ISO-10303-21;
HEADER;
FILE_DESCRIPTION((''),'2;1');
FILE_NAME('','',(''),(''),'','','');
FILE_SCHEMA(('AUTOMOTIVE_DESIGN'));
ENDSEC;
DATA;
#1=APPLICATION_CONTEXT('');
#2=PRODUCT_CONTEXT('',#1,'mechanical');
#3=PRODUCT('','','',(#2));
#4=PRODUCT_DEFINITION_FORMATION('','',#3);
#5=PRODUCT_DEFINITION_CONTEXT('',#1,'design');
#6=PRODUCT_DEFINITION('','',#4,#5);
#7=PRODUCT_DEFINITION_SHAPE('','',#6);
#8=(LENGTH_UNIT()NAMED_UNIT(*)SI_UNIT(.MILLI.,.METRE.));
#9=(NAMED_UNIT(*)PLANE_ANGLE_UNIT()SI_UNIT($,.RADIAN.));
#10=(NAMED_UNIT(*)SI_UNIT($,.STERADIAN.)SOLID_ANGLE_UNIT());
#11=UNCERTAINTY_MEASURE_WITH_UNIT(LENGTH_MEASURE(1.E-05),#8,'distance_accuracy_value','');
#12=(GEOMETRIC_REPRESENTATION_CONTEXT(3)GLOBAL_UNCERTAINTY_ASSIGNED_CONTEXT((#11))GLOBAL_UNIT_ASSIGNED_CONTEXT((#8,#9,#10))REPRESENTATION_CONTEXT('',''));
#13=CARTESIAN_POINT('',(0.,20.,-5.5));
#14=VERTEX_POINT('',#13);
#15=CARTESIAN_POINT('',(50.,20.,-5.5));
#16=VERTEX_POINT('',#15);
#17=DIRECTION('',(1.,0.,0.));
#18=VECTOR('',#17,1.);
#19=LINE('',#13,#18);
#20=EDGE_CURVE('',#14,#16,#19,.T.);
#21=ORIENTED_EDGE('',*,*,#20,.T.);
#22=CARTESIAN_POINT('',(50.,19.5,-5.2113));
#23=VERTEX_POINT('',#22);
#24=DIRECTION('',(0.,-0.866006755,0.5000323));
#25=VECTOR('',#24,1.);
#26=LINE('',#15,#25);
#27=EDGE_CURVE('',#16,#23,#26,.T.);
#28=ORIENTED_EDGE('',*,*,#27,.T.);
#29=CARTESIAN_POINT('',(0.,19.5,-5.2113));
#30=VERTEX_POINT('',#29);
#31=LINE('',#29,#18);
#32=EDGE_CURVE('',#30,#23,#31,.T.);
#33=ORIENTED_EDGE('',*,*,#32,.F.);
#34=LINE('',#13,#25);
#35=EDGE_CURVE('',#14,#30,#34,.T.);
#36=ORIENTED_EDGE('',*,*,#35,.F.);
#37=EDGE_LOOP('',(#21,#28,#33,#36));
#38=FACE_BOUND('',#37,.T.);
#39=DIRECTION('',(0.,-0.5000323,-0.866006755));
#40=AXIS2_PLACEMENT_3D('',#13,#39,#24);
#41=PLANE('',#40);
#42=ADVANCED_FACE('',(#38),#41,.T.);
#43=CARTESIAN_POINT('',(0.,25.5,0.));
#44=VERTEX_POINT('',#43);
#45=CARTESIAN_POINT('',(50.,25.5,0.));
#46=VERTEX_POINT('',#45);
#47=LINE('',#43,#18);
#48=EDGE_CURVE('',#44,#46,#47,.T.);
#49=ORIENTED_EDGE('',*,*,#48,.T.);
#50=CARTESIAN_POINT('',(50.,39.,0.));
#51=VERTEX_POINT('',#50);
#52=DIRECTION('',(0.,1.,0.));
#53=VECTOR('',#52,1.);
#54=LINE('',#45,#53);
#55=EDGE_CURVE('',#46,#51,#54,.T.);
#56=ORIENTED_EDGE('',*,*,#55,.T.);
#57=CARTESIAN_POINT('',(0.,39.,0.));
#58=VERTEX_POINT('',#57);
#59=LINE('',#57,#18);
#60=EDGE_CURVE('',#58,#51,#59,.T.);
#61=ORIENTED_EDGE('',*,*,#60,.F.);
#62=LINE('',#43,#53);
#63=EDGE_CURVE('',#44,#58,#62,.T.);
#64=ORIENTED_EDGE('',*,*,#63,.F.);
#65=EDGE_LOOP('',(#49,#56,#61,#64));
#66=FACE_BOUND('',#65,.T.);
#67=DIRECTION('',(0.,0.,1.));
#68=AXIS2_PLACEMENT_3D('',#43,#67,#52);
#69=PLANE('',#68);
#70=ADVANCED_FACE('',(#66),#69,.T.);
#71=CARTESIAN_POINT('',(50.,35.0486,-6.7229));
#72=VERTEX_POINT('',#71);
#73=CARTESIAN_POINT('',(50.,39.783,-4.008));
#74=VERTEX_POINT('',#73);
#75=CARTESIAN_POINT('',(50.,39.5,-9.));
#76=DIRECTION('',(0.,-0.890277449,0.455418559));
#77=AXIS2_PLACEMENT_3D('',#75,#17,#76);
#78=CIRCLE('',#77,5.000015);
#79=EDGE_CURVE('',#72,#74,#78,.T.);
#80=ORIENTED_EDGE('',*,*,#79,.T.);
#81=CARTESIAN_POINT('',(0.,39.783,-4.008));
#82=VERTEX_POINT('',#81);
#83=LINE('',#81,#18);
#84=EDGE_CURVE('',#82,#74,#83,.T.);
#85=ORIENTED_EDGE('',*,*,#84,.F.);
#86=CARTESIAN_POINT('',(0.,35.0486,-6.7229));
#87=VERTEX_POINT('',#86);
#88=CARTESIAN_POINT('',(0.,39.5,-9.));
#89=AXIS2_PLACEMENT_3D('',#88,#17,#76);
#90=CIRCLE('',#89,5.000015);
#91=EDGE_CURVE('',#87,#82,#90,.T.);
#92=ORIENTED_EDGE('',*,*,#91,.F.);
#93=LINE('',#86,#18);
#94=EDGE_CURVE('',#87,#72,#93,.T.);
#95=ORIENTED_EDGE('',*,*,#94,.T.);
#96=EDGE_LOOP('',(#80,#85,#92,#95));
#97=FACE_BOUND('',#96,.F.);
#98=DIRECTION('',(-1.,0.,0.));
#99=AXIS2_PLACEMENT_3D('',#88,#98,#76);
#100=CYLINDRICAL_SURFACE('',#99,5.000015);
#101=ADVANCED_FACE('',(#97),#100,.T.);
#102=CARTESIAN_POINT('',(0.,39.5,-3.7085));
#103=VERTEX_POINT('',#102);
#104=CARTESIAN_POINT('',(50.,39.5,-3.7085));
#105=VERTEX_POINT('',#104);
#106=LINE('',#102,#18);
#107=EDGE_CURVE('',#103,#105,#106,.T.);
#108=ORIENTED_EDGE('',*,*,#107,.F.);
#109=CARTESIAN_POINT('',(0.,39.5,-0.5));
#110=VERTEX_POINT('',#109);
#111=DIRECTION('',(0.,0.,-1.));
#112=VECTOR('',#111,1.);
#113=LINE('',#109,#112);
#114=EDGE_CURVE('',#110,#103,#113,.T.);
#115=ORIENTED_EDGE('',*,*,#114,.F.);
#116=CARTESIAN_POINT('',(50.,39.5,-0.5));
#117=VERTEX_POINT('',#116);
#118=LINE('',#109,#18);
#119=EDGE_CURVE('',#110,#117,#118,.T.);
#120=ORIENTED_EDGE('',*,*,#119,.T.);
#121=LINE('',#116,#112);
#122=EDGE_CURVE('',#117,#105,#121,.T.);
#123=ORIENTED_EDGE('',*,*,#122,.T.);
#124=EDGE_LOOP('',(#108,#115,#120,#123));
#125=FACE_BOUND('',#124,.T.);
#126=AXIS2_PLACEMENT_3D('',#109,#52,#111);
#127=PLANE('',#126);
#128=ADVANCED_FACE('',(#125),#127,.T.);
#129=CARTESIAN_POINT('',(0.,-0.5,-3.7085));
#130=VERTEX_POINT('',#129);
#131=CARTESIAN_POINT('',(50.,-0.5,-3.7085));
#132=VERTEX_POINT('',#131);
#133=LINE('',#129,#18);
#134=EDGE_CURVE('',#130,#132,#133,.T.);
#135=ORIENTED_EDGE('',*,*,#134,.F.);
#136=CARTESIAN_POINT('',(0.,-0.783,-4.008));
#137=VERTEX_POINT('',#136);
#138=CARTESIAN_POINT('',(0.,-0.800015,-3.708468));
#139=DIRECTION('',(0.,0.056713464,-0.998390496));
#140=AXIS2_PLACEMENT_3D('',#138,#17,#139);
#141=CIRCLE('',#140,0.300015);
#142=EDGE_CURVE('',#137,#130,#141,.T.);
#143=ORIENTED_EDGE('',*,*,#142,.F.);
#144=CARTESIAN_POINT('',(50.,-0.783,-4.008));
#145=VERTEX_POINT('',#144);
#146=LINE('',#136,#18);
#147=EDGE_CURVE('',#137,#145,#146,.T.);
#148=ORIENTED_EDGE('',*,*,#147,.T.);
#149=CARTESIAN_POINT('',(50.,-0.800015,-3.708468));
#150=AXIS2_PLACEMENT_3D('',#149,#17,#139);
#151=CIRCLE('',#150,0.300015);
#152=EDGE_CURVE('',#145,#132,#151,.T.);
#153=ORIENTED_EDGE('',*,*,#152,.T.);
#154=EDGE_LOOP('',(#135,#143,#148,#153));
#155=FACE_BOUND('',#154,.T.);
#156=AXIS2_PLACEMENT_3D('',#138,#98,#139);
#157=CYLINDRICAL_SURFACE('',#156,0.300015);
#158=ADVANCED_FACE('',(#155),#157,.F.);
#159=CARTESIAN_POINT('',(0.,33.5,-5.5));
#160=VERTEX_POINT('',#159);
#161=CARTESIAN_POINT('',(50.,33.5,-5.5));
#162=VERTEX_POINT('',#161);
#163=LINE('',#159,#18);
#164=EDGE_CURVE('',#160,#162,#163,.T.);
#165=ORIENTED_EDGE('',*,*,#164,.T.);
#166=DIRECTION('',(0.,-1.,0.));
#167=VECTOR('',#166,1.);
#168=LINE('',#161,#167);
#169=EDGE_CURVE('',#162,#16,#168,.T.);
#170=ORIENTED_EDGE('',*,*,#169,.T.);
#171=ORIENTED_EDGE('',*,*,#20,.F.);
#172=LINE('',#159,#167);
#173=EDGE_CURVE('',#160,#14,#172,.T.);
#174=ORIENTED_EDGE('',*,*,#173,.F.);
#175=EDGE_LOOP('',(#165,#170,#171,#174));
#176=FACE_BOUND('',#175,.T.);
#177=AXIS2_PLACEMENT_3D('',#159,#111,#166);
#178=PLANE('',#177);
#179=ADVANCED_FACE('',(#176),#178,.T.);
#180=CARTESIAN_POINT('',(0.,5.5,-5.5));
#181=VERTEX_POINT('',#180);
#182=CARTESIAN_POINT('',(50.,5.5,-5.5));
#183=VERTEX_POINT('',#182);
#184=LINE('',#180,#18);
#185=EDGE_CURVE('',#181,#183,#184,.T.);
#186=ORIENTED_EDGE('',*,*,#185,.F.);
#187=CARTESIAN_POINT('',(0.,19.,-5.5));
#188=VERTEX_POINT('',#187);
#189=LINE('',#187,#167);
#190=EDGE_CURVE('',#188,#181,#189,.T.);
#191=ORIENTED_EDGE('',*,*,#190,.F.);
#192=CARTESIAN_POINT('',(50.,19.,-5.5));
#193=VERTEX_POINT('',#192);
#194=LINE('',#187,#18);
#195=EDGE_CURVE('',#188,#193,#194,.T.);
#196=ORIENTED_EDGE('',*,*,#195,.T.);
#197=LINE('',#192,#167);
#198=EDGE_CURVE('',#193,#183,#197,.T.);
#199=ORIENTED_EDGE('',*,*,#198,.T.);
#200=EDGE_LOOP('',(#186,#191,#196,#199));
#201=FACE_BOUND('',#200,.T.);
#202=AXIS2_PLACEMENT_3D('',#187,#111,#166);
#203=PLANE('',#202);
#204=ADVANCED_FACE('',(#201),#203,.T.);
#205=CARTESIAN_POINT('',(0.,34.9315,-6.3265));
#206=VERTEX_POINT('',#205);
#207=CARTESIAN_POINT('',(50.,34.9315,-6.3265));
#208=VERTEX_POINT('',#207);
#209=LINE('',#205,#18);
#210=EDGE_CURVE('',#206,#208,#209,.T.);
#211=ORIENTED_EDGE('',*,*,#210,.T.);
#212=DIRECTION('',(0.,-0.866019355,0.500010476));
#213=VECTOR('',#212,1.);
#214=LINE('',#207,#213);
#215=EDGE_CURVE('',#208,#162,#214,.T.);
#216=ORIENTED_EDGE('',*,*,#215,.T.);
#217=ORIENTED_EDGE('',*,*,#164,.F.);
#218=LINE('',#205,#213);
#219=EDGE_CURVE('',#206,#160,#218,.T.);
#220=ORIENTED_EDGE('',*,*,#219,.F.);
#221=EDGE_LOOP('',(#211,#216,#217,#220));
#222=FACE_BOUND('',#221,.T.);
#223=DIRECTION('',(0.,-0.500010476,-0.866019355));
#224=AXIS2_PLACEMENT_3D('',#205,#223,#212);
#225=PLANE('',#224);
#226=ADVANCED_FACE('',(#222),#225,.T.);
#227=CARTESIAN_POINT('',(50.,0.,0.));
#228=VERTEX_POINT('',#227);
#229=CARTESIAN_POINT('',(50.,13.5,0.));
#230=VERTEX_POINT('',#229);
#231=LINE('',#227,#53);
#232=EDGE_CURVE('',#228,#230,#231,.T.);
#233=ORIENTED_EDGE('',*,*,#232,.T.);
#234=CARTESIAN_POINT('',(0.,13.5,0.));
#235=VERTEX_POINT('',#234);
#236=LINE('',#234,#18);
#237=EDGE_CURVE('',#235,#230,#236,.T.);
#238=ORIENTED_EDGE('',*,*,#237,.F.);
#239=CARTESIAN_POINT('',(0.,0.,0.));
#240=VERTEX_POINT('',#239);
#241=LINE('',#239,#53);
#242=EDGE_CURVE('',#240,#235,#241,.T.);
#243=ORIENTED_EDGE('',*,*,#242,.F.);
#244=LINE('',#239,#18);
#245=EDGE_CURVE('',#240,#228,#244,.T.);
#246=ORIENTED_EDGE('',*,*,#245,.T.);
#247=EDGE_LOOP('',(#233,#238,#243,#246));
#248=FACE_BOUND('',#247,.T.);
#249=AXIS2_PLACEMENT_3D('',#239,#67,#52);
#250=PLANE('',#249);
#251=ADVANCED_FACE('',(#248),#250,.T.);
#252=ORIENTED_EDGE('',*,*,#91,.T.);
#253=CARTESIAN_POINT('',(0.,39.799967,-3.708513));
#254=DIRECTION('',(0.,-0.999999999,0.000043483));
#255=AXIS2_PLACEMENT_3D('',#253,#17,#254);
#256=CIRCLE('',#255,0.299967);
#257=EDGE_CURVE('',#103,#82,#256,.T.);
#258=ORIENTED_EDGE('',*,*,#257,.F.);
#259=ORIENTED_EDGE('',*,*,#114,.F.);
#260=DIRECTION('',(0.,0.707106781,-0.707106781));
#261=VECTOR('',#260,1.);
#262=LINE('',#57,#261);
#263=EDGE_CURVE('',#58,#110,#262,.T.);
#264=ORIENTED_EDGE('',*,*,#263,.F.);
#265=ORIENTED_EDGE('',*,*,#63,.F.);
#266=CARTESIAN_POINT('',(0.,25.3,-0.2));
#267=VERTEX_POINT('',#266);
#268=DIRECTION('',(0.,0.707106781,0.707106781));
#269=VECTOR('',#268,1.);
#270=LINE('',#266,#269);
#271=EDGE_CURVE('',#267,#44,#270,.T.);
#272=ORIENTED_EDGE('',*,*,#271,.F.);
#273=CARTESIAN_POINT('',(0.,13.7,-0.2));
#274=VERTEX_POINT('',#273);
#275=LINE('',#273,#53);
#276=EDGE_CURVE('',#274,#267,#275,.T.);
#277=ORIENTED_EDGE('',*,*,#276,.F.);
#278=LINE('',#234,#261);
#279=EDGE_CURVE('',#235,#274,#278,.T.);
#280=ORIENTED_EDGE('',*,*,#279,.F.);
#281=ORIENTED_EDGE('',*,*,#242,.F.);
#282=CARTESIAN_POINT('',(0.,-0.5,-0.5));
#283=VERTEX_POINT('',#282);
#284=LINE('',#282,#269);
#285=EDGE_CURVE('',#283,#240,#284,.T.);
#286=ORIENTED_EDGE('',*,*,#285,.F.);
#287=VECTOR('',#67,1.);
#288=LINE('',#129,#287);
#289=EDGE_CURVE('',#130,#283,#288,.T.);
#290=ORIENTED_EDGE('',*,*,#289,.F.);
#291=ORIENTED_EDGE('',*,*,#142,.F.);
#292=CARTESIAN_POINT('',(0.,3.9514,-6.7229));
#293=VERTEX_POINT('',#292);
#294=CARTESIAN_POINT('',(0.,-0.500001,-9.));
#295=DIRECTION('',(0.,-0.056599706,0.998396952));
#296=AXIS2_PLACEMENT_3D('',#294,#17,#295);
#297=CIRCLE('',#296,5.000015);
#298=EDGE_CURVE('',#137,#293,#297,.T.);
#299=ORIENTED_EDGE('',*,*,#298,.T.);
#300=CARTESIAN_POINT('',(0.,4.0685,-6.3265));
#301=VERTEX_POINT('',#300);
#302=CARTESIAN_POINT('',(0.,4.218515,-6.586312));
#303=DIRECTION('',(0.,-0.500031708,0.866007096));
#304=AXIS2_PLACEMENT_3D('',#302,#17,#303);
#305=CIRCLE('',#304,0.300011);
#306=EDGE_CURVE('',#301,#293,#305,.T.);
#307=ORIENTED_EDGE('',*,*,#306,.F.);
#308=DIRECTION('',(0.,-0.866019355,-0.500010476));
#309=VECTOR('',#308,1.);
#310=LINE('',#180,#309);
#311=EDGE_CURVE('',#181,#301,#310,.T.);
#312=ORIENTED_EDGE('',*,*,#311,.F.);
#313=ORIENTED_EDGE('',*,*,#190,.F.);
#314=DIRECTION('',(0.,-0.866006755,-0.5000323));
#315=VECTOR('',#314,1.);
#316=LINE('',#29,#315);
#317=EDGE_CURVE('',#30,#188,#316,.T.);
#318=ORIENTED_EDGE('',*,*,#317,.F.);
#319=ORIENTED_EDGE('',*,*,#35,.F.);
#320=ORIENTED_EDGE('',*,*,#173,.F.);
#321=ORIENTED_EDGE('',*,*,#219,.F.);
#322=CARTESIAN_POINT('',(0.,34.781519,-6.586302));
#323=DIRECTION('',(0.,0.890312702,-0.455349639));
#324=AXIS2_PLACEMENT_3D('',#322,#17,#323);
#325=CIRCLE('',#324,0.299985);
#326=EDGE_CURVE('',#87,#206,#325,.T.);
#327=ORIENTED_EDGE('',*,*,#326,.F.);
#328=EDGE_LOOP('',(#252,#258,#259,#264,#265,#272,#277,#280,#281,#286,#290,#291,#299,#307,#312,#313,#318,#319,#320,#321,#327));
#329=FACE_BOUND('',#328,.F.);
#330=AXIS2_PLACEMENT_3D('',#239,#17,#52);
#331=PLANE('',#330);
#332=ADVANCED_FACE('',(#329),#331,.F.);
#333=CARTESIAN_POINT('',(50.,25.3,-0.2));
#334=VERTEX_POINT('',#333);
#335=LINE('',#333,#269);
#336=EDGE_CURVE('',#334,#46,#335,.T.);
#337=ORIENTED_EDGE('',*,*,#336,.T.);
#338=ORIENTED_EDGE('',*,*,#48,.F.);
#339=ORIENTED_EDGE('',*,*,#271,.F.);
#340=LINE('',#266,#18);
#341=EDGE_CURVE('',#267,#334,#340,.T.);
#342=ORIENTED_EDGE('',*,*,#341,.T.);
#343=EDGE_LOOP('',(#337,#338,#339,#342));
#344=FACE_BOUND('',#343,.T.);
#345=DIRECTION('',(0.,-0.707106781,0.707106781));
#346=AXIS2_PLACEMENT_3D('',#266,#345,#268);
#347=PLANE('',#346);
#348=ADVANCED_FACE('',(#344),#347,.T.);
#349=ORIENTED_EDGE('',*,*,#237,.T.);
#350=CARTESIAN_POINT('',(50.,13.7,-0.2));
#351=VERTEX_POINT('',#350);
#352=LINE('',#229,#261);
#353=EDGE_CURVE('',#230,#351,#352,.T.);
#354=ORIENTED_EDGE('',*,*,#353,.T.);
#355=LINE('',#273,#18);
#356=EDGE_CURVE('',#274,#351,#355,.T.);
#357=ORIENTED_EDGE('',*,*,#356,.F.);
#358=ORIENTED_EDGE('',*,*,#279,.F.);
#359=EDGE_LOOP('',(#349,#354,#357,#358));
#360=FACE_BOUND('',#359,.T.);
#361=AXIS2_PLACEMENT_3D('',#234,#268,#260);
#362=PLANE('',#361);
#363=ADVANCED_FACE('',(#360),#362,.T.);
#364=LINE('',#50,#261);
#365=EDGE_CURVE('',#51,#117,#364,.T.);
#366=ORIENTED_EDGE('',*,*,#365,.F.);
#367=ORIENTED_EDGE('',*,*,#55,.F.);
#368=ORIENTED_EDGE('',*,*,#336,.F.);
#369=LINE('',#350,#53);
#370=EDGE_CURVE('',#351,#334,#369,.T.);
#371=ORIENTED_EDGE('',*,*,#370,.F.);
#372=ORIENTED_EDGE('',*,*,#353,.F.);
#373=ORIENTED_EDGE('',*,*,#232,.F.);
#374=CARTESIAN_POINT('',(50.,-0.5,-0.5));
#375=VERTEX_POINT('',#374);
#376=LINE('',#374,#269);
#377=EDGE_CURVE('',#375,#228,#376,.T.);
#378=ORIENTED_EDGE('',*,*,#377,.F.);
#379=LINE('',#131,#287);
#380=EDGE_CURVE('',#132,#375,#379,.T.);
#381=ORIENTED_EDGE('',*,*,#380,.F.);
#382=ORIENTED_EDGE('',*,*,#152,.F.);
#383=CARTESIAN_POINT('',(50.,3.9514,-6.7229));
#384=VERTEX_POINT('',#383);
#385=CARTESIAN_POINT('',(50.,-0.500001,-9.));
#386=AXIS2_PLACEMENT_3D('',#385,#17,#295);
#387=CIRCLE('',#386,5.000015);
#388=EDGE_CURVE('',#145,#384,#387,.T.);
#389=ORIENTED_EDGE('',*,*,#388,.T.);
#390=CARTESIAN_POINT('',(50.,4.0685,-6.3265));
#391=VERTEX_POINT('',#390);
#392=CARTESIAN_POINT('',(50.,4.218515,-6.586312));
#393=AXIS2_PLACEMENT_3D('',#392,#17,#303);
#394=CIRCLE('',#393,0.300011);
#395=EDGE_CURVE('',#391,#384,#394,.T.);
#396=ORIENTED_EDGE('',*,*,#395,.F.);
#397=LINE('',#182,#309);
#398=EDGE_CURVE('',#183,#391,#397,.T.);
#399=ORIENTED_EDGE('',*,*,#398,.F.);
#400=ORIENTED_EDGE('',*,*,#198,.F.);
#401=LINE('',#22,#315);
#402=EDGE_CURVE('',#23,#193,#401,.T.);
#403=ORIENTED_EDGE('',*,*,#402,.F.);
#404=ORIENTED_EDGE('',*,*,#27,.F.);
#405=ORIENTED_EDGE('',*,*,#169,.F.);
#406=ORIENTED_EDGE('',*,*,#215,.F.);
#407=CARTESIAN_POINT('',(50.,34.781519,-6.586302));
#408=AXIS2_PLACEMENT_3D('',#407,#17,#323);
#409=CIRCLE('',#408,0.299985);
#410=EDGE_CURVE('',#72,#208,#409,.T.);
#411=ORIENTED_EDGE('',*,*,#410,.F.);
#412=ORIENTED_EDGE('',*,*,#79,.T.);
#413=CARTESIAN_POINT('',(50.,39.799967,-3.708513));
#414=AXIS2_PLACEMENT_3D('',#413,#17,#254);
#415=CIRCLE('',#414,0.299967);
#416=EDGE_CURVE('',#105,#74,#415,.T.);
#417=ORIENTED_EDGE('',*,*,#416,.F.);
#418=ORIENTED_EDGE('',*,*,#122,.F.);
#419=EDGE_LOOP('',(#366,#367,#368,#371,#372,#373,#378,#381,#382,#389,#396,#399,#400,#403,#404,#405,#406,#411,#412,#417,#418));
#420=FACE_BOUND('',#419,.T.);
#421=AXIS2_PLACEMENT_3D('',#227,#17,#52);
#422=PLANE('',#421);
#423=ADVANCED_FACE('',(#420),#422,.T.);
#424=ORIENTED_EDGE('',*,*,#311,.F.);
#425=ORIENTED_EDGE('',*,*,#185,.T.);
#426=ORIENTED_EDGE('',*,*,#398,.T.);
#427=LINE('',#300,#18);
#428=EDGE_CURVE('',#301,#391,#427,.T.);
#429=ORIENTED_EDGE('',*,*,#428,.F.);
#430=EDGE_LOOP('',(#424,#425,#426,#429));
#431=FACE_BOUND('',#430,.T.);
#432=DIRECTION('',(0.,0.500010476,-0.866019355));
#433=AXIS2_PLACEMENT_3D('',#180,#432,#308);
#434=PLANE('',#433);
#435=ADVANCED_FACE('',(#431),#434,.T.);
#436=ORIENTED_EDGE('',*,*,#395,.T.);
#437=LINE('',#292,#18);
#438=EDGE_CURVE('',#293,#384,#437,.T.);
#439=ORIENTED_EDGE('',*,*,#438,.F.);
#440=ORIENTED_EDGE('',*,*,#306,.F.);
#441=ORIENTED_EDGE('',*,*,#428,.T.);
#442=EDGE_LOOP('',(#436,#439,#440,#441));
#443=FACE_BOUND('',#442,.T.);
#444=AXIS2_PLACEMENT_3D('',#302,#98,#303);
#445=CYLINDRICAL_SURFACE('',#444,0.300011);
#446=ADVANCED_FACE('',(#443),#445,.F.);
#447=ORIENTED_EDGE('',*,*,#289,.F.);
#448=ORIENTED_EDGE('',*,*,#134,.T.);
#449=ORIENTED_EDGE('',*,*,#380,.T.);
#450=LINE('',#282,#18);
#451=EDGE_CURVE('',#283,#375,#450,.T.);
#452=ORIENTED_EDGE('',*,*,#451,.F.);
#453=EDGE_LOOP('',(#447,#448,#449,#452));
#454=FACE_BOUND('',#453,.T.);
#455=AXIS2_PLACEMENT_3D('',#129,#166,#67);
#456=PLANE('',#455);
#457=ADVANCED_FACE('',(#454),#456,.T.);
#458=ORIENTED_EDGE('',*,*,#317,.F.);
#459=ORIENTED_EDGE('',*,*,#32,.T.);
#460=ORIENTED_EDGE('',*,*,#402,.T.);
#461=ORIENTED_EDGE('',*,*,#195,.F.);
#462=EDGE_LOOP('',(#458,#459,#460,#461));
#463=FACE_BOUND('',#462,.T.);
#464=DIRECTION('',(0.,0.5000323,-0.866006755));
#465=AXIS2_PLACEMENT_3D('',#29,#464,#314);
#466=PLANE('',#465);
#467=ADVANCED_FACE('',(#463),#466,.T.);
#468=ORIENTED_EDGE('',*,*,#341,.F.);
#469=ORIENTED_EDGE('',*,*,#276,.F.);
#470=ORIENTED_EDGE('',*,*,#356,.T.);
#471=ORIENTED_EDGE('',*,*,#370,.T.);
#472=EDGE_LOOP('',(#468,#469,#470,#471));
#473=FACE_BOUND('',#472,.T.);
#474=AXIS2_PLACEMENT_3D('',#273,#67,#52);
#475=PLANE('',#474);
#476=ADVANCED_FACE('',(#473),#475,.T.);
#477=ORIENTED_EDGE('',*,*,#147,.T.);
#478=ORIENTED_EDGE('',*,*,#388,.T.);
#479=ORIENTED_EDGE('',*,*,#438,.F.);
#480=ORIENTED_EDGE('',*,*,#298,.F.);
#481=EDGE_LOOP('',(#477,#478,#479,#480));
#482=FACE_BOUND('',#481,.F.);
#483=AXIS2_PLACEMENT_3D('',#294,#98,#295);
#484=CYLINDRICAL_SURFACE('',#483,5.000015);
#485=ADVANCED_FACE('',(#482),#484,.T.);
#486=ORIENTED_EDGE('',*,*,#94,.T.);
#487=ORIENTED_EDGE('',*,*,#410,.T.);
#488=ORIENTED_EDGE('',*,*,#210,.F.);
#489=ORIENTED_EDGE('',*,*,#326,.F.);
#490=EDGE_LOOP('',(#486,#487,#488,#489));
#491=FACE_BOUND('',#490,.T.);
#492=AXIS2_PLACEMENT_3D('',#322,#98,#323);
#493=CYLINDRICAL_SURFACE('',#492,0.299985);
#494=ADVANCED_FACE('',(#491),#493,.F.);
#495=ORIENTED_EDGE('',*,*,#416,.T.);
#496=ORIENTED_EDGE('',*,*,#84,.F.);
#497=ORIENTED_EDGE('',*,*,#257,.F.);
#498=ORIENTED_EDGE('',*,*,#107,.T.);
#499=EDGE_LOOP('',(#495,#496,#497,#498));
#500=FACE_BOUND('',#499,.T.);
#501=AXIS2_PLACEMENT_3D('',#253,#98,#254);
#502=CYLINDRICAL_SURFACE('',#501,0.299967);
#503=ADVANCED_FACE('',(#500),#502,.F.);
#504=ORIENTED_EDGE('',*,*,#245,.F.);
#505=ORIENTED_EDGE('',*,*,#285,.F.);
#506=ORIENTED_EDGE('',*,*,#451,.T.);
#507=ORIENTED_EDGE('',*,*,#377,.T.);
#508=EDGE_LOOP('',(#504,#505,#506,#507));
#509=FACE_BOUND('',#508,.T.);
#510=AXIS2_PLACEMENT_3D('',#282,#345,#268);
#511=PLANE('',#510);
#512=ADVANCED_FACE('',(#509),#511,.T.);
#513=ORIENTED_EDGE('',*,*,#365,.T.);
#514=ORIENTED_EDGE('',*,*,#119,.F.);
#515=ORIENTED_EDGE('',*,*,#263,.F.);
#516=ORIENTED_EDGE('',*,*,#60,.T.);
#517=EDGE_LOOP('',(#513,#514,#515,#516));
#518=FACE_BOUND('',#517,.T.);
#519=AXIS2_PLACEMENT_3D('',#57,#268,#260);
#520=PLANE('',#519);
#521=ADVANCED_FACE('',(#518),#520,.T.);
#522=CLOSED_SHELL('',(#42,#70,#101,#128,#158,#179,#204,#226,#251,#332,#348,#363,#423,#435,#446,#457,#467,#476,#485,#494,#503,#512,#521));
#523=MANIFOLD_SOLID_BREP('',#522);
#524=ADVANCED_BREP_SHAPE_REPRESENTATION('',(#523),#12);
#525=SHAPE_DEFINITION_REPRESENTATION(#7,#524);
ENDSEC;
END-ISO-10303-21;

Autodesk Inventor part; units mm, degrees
ref_plane "YZ Plane" through (0, 0, 0) normal (1, 0, 0) x (0, 1, 0)
ref_plane "XZ Plane" through (0, 0, 0) normal (0, 1, 0) x (-1, 0, 0)
ref_plane "XY Plane" through (0, 0, 0) normal (0, 0, 1) x (1, 0, 0)
sketch "Szkic1" plane through (0, 0, 0) normal (1, 0, 0) x (0, 1, 0)
  line L0 (13.7, -0.2) -> (25.3, -0.2)
  line L1 (13.5, 0) -> (13.7, -0.2)
  line L2 (0, 0) -> (13.5, 0)
  line L3 (-0.5, -0.5) -> (0, 0)
  line L4 (-0.5, -3.7085) -> (-0.5, -0.5)
  arc A0 (-0.783, -4.008) -> (-0.5, -3.7085) centre (-0.8, -3.7085) ccw
  arc A1 (-0.783, -4.008) -> (3.9514, -6.7229) centre (-0.5, -9) ccw
  arc A2 (4.0685, -6.3265) -> (3.9514, -6.7229) centre (4.2185, -6.5863) ccw
  line L5 (5.5, -5.5) -> (4.0685, -6.3265)
  line L6 (19, -5.5) -> (5.5, -5.5)
  line L7 (19.5, -5.2113) -> (19, -5.5)
  line L8 (20, -5.5) -> (19.5, -5.2113)
  line L9 (33.5, -5.5) -> (20, -5.5)
  line L10 (34.9315, -6.3265) -> (33.5, -5.5)
  arc A3 (35.0486, -6.7229) -> (34.9315, -6.3265) centre (34.7815, -6.5863) ccw
  arc A4 (35.0486, -6.7229) -> (39.783, -4.008) centre (39.5, -9) ccw
  arc A5 (39.5, -3.7085) -> (39.783, -4.008) centre (39.8, -3.7085) ccw
  line L11 (39.5, -0.5) -> (39.5, -3.7085)
  line L12 (39, 0) -> (39.5, -0.5)
  line L13 (25.5, 0) -> (39, 0)
  line L14 (25.3, -0.2) -> (25.5, 0)
  point P0 (19.5, 0)
extrude "Wyciągnięcie proste1" add sketch "Szkic1" along normal blind 50
properties part number "WS_10_40_custom_length"
